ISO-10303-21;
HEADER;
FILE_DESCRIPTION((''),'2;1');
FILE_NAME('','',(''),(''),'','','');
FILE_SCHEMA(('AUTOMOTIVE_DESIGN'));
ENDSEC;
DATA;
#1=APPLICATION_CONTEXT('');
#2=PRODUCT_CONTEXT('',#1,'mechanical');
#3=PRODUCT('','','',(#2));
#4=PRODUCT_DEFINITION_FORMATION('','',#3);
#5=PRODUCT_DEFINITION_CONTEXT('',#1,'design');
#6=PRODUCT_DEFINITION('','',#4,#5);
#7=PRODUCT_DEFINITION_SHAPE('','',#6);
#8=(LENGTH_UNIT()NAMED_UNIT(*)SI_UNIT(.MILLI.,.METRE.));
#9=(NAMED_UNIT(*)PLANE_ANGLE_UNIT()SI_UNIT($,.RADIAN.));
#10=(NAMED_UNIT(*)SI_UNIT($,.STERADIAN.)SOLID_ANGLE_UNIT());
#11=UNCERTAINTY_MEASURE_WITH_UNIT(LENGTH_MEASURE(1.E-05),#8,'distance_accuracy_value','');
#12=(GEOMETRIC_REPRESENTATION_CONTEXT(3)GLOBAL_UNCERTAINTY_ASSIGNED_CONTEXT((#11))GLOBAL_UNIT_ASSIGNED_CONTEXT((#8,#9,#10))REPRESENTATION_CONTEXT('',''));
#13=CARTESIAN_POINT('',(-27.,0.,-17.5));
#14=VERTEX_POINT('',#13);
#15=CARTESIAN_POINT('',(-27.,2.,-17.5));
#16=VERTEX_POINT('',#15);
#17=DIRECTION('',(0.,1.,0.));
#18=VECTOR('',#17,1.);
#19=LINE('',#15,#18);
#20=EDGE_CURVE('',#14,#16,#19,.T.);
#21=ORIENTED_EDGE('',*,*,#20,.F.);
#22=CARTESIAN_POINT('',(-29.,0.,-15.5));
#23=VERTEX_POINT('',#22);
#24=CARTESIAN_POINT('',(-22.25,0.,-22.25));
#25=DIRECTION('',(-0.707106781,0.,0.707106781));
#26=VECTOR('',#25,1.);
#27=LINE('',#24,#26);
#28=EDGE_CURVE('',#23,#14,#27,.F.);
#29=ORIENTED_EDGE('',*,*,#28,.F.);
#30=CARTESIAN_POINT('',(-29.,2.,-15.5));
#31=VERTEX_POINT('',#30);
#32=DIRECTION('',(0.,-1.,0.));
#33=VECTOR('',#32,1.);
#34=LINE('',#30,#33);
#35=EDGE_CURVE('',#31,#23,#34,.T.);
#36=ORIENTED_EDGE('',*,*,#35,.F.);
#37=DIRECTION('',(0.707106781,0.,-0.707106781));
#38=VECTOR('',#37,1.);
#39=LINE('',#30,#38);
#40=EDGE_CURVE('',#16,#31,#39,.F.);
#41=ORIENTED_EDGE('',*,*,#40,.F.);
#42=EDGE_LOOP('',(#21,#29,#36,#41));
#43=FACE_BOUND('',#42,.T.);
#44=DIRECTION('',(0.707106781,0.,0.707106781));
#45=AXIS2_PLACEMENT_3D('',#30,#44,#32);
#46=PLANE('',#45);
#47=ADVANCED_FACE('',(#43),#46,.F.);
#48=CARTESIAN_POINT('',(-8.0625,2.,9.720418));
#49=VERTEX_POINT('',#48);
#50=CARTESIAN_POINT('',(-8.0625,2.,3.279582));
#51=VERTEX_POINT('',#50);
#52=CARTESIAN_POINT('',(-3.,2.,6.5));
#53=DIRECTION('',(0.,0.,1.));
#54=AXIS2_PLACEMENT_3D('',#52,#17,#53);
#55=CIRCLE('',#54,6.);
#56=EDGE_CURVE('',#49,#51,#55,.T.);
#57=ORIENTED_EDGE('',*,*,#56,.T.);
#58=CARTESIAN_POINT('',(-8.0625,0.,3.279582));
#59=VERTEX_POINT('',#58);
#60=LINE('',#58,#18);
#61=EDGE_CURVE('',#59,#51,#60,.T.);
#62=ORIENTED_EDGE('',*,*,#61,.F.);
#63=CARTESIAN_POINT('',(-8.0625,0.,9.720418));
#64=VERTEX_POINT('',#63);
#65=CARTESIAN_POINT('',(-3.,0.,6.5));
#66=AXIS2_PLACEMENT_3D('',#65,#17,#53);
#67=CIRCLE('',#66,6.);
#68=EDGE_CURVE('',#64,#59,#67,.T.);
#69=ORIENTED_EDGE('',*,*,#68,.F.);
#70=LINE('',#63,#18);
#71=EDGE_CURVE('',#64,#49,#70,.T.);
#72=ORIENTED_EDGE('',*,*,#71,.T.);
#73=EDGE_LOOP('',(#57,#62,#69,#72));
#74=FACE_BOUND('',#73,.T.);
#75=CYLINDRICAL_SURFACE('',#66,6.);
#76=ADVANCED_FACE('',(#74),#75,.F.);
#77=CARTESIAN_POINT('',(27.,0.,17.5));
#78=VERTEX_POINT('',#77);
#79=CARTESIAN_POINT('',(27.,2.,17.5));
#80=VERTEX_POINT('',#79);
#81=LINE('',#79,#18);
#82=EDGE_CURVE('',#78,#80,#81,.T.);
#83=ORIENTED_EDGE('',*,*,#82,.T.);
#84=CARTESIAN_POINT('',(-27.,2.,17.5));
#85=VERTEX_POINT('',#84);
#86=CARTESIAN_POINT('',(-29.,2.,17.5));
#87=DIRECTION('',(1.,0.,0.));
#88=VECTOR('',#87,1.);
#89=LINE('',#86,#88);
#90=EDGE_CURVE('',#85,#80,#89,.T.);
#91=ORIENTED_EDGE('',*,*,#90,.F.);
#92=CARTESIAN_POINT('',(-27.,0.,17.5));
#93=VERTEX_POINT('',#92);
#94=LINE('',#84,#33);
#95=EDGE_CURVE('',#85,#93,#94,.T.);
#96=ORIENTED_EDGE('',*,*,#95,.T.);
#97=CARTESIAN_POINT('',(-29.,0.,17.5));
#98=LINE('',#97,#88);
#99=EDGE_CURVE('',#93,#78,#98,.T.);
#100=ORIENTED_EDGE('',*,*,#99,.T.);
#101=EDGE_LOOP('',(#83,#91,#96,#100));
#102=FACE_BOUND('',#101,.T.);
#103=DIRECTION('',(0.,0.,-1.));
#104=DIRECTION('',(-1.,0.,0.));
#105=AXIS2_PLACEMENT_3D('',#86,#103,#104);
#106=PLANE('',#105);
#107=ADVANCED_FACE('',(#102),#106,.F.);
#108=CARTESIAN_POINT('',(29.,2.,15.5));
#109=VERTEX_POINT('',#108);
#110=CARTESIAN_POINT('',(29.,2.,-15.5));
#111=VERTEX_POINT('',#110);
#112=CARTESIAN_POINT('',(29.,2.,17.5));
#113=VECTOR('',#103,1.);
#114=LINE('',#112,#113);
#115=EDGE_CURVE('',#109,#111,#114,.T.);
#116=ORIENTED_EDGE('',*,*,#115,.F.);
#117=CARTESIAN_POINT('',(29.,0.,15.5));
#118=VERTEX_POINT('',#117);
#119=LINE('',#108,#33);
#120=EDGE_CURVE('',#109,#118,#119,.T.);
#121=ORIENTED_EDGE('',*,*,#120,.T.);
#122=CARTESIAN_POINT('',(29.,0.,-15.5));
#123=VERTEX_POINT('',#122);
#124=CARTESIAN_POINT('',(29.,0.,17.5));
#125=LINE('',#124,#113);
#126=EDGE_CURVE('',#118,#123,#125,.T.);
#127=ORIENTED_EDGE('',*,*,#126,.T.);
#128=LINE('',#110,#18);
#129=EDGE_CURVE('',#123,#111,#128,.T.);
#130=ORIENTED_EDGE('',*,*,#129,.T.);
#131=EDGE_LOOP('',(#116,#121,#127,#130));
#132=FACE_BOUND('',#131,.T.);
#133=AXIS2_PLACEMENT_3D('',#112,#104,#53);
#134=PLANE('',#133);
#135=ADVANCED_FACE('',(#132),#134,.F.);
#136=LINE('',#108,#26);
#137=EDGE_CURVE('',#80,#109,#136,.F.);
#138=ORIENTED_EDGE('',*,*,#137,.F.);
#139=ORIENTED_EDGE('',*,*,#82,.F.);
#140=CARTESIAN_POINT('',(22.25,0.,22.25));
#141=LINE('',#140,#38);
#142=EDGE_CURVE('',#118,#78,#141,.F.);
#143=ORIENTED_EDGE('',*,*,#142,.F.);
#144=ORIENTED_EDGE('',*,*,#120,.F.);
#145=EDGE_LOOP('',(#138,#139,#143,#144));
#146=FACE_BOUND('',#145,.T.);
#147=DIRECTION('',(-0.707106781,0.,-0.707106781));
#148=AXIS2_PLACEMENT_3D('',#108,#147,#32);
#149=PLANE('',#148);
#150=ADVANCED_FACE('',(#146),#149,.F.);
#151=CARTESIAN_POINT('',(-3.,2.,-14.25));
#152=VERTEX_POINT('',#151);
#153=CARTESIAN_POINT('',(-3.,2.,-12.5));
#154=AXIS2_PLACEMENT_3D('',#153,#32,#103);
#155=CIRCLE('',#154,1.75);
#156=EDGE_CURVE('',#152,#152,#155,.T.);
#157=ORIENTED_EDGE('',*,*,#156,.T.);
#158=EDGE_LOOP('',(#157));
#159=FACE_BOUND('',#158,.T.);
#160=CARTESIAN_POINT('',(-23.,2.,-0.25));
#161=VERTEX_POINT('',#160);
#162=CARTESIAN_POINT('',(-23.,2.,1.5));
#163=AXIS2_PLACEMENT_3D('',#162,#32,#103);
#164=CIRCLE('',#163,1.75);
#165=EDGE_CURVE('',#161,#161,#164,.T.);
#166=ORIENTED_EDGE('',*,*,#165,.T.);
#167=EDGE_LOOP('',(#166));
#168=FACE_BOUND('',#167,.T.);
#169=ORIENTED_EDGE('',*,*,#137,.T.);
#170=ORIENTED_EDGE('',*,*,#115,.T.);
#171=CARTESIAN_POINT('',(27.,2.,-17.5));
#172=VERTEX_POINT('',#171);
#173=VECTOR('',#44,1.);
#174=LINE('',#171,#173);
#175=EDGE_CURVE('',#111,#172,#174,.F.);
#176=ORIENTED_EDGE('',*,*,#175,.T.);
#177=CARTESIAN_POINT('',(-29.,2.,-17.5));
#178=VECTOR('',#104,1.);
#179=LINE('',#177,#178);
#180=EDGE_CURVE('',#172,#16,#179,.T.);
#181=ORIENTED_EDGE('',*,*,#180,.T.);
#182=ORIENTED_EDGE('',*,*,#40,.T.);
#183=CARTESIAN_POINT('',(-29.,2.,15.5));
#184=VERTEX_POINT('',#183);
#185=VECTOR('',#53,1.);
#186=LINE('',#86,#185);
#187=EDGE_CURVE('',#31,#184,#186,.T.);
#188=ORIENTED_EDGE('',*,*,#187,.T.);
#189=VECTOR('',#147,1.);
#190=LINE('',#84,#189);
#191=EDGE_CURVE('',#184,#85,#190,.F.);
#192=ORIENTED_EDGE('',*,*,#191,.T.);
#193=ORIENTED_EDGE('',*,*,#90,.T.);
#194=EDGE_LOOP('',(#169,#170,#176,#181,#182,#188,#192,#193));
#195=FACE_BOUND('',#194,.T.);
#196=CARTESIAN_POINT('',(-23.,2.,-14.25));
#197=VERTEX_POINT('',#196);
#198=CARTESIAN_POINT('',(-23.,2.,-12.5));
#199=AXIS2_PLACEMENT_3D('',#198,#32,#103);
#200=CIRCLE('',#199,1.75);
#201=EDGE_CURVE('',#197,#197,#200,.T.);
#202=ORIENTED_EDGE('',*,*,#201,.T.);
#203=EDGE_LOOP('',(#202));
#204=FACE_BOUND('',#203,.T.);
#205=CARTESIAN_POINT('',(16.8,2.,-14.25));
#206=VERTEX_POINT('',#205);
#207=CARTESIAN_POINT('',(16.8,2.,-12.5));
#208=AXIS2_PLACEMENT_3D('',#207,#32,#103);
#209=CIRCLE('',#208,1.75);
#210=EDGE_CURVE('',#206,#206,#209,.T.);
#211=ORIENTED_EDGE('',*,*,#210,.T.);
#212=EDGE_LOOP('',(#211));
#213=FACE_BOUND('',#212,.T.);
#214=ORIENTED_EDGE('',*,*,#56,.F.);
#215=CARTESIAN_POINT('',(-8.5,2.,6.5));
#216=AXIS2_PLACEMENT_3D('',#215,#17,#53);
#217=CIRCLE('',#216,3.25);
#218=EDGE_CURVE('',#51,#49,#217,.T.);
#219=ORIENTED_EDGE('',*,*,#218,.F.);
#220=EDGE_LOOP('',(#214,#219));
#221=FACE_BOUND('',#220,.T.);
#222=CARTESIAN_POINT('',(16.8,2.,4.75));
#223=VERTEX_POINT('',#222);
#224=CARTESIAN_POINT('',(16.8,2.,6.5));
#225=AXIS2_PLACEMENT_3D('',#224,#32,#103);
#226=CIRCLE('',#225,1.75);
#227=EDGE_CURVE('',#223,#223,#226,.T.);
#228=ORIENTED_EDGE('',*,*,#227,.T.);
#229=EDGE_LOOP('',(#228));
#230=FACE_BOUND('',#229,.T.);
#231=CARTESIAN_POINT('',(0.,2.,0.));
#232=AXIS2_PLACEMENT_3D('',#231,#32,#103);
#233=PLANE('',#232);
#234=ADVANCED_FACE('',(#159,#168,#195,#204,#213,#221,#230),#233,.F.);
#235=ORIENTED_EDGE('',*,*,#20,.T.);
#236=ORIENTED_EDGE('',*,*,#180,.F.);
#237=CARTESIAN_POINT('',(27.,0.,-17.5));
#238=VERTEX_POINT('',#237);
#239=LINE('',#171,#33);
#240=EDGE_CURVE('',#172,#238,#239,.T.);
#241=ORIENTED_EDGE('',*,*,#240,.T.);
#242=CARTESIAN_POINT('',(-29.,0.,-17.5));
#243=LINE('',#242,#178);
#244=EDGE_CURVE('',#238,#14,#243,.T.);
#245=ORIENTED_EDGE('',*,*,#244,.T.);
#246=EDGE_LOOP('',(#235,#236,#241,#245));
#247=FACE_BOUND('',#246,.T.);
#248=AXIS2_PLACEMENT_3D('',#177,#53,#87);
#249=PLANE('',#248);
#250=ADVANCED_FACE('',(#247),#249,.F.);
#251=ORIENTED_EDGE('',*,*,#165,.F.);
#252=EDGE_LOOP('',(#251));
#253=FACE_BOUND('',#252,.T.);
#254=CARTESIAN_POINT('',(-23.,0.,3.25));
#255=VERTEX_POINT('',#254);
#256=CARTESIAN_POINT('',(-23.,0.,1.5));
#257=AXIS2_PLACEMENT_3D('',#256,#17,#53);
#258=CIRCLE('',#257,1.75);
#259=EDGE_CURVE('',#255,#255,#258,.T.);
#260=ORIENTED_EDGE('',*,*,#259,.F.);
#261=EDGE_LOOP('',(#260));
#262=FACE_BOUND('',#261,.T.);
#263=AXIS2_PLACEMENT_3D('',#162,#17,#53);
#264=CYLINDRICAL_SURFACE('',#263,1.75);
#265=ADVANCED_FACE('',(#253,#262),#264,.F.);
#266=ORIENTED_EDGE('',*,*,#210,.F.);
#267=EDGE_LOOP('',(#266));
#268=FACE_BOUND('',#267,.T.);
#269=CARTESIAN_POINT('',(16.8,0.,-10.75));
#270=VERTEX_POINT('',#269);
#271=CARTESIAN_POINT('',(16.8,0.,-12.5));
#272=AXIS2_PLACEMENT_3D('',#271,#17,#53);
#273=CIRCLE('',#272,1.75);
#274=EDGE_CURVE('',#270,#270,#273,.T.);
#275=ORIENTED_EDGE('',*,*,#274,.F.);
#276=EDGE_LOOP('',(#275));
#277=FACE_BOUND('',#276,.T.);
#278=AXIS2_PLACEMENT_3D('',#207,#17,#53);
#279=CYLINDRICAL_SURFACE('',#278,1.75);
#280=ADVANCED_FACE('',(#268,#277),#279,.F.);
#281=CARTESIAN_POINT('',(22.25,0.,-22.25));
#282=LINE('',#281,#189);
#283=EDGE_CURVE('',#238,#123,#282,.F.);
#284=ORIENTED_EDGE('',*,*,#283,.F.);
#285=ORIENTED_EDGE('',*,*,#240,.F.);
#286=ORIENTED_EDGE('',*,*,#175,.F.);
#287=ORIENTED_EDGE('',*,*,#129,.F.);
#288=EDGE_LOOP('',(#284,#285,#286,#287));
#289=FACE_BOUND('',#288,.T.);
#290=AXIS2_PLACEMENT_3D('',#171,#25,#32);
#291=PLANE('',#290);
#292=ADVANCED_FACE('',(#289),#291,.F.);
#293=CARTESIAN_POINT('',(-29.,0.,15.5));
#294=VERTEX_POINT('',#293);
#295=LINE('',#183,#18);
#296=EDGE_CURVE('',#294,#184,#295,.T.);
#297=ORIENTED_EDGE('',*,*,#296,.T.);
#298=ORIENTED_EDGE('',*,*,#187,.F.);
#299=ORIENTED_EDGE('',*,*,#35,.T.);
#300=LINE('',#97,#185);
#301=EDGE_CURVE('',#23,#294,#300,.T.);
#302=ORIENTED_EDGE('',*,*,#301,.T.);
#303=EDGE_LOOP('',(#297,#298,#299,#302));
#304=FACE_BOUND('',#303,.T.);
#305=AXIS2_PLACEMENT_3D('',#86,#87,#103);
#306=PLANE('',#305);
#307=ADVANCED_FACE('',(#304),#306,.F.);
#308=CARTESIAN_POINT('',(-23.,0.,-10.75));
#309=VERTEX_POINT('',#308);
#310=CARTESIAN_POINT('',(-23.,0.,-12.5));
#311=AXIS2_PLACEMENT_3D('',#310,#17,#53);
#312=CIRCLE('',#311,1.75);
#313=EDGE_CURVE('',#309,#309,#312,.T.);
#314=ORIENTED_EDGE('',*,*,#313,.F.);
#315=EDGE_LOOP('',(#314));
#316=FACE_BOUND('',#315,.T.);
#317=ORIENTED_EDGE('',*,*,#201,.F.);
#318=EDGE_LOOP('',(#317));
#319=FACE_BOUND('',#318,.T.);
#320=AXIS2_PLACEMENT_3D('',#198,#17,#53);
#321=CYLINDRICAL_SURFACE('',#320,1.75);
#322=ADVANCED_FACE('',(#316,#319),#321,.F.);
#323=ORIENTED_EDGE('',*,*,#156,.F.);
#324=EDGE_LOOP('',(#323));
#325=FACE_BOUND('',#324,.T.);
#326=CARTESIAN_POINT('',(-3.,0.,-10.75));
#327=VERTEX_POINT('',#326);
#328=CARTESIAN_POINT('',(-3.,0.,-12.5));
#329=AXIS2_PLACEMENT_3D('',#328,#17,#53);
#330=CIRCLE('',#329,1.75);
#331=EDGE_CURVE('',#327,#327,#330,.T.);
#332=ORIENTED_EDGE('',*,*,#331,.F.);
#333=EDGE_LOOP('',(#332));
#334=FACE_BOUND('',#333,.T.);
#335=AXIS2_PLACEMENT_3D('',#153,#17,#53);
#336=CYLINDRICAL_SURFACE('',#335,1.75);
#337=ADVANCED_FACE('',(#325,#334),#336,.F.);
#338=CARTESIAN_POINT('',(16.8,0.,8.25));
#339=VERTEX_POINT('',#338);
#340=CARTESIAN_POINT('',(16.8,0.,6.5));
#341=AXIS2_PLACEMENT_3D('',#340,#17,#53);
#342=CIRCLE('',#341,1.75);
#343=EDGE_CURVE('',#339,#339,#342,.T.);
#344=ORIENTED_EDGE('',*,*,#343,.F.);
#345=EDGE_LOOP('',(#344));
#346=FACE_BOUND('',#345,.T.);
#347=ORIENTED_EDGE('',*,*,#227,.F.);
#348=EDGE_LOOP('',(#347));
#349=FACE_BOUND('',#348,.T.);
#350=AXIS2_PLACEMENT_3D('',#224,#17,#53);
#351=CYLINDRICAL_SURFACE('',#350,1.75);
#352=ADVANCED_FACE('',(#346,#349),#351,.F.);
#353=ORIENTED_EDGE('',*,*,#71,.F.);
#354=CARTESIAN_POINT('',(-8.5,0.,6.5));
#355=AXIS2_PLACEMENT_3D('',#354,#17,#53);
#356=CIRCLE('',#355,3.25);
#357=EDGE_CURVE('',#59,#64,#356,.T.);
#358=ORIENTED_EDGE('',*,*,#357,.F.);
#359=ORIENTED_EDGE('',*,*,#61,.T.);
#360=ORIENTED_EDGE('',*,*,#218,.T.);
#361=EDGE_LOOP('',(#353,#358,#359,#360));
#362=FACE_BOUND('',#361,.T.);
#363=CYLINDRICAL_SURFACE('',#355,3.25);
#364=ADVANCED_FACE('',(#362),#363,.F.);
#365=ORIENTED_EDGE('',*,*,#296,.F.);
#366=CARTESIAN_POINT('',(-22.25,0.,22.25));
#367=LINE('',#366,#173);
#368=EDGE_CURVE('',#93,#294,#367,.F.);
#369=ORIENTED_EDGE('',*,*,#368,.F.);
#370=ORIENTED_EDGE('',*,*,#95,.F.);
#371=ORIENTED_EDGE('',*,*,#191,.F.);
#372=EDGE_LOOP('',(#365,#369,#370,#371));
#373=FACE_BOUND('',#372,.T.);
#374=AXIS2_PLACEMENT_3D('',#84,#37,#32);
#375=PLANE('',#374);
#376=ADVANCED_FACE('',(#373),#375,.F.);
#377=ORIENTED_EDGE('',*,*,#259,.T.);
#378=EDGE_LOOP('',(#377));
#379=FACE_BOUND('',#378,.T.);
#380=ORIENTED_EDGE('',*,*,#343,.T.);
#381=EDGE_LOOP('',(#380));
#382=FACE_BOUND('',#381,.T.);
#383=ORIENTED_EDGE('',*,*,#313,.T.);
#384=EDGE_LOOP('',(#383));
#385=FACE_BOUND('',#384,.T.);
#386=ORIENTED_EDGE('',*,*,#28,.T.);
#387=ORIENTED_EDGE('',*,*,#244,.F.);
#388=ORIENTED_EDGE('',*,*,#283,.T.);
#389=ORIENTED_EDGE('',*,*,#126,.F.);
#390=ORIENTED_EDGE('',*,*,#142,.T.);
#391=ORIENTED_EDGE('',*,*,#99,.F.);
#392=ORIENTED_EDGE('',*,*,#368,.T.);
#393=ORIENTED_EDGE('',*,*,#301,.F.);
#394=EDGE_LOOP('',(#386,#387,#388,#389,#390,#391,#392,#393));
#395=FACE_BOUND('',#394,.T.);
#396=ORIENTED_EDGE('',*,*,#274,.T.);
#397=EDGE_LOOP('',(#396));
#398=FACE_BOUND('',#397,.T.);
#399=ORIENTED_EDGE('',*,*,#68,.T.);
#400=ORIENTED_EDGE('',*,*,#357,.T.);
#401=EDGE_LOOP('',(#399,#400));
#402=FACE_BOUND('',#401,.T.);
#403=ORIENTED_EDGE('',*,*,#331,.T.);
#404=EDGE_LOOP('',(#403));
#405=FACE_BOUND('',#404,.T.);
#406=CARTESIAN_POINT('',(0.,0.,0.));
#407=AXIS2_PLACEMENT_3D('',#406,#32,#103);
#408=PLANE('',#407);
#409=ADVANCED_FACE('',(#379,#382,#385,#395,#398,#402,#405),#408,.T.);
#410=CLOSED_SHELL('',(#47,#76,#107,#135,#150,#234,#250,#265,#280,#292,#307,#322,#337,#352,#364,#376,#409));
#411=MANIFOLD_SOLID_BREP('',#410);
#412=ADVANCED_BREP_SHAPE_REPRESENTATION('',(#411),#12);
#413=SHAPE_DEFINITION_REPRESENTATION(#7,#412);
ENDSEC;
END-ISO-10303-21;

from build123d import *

# Parameters (mm, degrees)
SKETCH1_W                      = 58
SKETCH1_H                      = 35
BOSS_EXTRUDE1_DEPTH            = 2
M3X0_5_TAPPED_HOLE1_AT_2_COUNT = 2
M3X0_5_TAPPED_HOLE1_AT_2_PITCH = 20
M3X0_5_TAPPED_HOLE1_AT_3_COUNT = 2
M3X0_5_TAPPED_HOLE1_AT_3_PITCH = 39.8
M3X0_5_TAPPED_HOLE1_AT_4_COUNT = 2
M3X0_5_TAPPED_HOLE1_AT_4_PITCH = 44.102607633
M3X0_5_TAPPED_HOLE1_AT_5_COUNT = 2
M3X0_5_TAPPED_HOLE1_AT_5_PITCH = 14
CUT_EXTRUDE1_DEPTH             = 34.930075155
CHAMFER1_SIZE                  = 2


with BuildPart() as part:
    # Sketch1 → Boss-Extrude1 (new body)
    with BuildSketch(Plane(origin=(0, 0, 0), x_dir=(1, 0, 0), z_dir=(0, 1, 0))):
        Rectangle(SKETCH1_W, SKETCH1_H)
    extrude(amount=BOSS_EXTRUDE1_DEPTH)

    # Sketch3 → M3x0.5 Tapped Hole1 (revolve, cut)
    with BuildSketch(Plane(origin=(-23, 2, -12.5), x_dir=(0, 0, 1), z_dir=(1, 0, 0))):
        Polygon((0, 0), (0, 2), (1.75, 2), (1.75, -0.225), (1.525, 0), align=None)
    m3x0_5_tapped_hole1 = revolve(axis=Axis((-23, 8.35, -12.5), (0, -1, 0)), mode=Mode.SUBTRACT)

    # M3x0.5 Tapped Hole1 at 2: M3x0.5 Tapped Hole1 ×2
    with Locations(*[(i * M3X0_5_TAPPED_HOLE1_AT_2_PITCH, 0, 0) for i in range(1, M3X0_5_TAPPED_HOLE1_AT_2_COUNT)]):
        add(m3x0_5_tapped_hole1, mode=Mode.SUBTRACT)

    # M3x0.5 Tapped Hole1 at 3: M3x0.5 Tapped Hole1 ×2
    with Locations(*[(i * M3X0_5_TAPPED_HOLE1_AT_3_PITCH, 0, 0) for i in range(1, M3X0_5_TAPPED_HOLE1_AT_3_COUNT)]):
        add(m3x0_5_tapped_hole1, mode=Mode.SUBTRACT)

    # M3x0.5 Tapped Hole1 at 4: M3x0.5 Tapped Hole1 ×2
    with Locations(*[Vector(0.9024409697382602, 0, 0.4308135282670086) * (i * M3X0_5_TAPPED_HOLE1_AT_4_PITCH) for i in range(1, M3X0_5_TAPPED_HOLE1_AT_4_COUNT)]):
        add(m3x0_5_tapped_hole1, mode=Mode.SUBTRACT)

    # M3x0.5 Tapped Hole1 at 5: M3x0.5 Tapped Hole1 ×2
    with Locations(*[(0, 0, i * M3X0_5_TAPPED_HOLE1_AT_5_PITCH) for i in range(1, M3X0_5_TAPPED_HOLE1_AT_5_COUNT)]):
        add(m3x0_5_tapped_hole1, mode=Mode.SUBTRACT)

    # Sketch4 → Cut-Extrude1 (cut, through all)
    with BuildSketch(Plane(origin=(0, 2, 0), x_dir=(1, 0, 0), z_dir=(0, 1, 0))):
        with BuildLine():
            ThreePointArc((-8.0625, -3.279581743), (-11.75, -6.5), (-8.0625, -9.720418257))
            ThreePointArc((-8.0625, -9.720418257), (3, -6.5), (-8.0625, -3.279581743))
        make_face()
    extrude(amount=-CUT_EXTRUDE1_DEPTH, mode=Mode.SUBTRACT)

    # Chamfer1
    chamfer1_edges = [part.edges().sort_by_distance(p)[0] for p in [
        (29, 1, 17.5),
        (-29, 1, 17.5),
        (-29, 1, -17.5),
        (29, 1, -17.5),
    ]]
    chamfer(chamfer1_edges, length=CHAMFER1_SIZE)


solid = part.part
